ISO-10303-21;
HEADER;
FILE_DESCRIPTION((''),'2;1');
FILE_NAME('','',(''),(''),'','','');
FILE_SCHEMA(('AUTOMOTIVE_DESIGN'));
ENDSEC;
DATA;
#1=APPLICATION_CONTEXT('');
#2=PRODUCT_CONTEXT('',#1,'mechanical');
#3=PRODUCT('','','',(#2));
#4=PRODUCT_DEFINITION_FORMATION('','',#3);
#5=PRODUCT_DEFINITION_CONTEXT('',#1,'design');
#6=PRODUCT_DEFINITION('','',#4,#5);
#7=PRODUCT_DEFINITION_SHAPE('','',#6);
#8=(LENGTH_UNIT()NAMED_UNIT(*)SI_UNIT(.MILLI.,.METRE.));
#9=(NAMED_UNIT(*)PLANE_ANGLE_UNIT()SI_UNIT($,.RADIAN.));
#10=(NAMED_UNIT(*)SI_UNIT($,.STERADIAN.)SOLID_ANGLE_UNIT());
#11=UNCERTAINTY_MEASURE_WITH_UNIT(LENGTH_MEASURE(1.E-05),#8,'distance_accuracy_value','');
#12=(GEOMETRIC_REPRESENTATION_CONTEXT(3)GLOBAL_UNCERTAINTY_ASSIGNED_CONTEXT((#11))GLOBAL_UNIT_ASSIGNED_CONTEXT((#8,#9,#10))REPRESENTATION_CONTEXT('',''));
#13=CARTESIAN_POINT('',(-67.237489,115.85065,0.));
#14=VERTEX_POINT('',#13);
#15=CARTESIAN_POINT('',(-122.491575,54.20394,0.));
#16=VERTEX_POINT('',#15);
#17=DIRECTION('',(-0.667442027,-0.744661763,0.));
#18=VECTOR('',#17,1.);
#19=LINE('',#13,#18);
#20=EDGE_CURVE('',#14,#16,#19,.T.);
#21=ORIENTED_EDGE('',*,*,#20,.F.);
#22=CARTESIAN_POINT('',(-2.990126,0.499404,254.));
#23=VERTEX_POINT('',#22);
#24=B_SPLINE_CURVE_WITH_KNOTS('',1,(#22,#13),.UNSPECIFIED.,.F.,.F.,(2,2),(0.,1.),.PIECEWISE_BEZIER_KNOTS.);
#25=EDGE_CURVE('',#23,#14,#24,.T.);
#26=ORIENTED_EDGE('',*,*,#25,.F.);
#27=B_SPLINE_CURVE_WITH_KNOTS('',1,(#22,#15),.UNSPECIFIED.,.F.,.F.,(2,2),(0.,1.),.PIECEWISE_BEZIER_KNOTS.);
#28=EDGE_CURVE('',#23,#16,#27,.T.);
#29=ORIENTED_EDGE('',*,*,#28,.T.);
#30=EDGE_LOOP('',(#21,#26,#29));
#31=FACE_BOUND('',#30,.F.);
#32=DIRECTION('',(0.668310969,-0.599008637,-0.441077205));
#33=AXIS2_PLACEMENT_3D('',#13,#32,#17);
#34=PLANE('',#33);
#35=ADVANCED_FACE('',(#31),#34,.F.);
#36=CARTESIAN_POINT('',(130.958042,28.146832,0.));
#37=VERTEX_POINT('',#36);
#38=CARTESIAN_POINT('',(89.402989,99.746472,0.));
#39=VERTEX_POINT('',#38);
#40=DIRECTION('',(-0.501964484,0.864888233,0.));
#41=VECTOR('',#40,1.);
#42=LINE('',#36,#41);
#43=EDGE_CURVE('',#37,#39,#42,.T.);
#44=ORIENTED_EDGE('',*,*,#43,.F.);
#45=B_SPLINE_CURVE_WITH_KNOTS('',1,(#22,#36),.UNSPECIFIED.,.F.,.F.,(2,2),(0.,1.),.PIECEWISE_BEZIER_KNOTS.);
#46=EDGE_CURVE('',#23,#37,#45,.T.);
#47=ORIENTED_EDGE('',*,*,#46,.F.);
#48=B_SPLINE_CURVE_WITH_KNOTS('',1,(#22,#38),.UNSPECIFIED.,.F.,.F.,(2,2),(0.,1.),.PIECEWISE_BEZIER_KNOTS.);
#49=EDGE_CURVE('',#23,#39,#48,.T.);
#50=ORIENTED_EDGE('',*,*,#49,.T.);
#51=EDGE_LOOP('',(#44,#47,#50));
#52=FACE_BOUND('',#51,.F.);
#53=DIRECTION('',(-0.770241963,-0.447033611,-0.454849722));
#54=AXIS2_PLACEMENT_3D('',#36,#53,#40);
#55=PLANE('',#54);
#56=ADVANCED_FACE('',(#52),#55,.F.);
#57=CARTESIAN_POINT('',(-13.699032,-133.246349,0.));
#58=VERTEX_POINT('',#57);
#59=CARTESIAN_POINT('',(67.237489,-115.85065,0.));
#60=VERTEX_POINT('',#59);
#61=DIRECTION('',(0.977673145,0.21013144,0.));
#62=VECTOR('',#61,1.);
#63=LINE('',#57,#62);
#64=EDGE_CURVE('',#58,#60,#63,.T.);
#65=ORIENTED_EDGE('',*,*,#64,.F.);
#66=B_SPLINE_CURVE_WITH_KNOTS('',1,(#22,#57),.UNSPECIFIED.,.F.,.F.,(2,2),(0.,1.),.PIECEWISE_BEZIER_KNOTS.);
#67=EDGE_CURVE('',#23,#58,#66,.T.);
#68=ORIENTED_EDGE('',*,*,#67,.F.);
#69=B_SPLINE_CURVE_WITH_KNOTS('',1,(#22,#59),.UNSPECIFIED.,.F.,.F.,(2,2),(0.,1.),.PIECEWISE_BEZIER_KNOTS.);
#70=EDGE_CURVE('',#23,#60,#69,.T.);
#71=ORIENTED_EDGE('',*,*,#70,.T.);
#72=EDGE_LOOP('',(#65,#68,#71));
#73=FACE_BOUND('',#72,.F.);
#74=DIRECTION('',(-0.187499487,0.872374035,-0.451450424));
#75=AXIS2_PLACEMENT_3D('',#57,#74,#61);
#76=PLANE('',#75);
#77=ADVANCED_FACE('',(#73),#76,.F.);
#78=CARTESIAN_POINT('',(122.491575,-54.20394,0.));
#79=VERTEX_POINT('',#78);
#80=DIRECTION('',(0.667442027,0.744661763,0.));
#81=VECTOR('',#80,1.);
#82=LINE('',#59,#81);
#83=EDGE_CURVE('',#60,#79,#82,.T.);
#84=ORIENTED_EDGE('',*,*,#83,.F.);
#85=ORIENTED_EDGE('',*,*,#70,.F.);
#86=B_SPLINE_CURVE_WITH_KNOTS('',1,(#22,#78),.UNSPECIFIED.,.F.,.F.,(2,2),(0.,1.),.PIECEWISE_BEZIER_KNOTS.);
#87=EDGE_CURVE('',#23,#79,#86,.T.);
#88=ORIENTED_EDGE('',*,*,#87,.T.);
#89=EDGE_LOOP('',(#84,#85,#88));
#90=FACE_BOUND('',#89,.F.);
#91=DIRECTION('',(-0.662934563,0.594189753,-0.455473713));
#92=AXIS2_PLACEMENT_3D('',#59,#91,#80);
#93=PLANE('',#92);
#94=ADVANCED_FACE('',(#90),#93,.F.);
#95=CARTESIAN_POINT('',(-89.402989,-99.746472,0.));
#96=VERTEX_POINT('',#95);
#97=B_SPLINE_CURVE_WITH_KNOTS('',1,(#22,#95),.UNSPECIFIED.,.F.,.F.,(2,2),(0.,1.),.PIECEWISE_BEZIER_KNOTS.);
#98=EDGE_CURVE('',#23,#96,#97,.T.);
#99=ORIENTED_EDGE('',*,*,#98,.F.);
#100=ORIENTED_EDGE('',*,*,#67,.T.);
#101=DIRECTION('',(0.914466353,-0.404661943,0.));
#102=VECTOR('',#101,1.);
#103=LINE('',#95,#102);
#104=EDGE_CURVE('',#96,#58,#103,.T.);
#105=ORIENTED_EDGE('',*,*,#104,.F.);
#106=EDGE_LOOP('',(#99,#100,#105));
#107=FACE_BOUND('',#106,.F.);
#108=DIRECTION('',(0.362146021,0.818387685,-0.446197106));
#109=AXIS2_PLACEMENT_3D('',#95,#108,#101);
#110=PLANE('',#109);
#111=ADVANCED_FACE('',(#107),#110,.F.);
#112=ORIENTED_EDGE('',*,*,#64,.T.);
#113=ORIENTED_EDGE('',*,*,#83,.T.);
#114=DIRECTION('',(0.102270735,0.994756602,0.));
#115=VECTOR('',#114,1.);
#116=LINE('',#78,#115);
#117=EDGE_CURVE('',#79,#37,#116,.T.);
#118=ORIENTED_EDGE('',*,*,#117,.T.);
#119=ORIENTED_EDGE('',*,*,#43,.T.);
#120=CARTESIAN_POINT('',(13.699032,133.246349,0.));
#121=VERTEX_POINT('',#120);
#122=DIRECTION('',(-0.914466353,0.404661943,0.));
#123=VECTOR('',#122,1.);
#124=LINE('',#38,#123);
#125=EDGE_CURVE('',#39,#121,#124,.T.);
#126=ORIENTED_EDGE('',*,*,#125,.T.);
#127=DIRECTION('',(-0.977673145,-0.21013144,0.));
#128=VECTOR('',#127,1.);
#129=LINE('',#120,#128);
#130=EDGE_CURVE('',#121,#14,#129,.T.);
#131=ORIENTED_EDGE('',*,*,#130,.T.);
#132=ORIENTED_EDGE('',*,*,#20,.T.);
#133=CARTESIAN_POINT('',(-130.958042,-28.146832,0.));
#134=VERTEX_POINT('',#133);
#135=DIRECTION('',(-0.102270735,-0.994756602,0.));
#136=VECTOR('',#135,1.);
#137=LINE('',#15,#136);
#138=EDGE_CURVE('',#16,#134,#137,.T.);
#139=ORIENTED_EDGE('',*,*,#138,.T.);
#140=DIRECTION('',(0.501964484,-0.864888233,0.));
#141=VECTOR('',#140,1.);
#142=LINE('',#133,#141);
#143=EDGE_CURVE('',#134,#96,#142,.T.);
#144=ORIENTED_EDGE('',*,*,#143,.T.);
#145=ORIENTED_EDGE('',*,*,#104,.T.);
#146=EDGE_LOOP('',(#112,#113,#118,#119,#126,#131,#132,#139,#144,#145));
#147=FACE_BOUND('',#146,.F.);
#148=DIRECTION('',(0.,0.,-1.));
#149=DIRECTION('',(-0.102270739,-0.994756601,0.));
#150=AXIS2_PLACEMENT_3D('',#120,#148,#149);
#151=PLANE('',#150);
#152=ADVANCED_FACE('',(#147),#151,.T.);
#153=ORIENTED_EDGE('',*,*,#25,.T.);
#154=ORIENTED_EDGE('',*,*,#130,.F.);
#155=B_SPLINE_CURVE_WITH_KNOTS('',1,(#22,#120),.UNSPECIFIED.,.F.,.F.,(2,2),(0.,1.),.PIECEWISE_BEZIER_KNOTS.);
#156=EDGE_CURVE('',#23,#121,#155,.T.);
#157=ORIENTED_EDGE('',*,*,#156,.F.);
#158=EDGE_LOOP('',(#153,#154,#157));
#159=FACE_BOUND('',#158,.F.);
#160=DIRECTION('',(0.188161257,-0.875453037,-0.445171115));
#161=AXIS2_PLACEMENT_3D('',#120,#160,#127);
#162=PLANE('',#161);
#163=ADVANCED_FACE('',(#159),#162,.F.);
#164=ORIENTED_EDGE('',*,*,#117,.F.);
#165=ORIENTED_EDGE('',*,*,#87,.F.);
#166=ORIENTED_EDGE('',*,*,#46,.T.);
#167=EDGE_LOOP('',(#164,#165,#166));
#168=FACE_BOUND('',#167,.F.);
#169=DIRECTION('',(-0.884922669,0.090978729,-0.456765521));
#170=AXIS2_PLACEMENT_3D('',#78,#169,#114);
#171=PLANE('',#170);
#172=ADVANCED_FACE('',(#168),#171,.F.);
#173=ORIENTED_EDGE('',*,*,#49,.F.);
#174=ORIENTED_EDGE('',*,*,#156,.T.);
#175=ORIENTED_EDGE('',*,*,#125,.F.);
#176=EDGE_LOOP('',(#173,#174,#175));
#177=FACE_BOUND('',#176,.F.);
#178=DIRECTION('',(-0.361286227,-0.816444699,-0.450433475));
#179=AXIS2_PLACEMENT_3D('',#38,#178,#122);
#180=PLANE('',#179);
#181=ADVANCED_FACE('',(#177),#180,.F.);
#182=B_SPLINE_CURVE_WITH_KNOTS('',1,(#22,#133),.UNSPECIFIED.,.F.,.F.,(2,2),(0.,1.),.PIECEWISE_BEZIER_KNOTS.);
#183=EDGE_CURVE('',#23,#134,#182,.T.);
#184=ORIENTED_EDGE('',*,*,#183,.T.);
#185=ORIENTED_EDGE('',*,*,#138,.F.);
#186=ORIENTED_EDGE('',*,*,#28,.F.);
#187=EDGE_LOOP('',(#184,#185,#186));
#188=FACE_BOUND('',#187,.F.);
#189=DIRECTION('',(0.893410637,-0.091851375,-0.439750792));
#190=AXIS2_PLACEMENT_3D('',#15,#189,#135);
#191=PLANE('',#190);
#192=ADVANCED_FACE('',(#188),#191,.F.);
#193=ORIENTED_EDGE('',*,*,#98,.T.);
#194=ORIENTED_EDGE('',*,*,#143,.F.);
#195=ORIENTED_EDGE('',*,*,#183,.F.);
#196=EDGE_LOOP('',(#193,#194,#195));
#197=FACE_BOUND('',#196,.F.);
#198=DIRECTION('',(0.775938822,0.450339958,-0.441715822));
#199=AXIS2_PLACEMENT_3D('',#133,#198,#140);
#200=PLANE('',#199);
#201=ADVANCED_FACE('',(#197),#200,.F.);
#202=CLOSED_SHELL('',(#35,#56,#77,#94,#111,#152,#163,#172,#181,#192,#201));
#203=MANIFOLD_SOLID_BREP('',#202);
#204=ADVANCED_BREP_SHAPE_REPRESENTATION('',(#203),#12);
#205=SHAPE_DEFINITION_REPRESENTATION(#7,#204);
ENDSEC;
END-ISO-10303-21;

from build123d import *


with BuildPart() as f3:
    # F0 (on Top) → F3 section 0
    with BuildSketch(Plane.XY, mode=Mode.PRIVATE) as f3_s0:
        Polygon((13.699032, 133.246349), (-67.237489, 115.85065), (-122.491575, 54.20394), (-130.958042, -28.146832), (-89.402989, -99.746472), (-13.699032, -133.246349), (67.237489, -115.85065), (122.491575, -54.20394), (130.958042, 28.146832), (89.402989, 99.746472), align=None)
    loft([Vertex(-2.990126, 0.499404, 254), f3_s0.sketch])


solid = f3.part
